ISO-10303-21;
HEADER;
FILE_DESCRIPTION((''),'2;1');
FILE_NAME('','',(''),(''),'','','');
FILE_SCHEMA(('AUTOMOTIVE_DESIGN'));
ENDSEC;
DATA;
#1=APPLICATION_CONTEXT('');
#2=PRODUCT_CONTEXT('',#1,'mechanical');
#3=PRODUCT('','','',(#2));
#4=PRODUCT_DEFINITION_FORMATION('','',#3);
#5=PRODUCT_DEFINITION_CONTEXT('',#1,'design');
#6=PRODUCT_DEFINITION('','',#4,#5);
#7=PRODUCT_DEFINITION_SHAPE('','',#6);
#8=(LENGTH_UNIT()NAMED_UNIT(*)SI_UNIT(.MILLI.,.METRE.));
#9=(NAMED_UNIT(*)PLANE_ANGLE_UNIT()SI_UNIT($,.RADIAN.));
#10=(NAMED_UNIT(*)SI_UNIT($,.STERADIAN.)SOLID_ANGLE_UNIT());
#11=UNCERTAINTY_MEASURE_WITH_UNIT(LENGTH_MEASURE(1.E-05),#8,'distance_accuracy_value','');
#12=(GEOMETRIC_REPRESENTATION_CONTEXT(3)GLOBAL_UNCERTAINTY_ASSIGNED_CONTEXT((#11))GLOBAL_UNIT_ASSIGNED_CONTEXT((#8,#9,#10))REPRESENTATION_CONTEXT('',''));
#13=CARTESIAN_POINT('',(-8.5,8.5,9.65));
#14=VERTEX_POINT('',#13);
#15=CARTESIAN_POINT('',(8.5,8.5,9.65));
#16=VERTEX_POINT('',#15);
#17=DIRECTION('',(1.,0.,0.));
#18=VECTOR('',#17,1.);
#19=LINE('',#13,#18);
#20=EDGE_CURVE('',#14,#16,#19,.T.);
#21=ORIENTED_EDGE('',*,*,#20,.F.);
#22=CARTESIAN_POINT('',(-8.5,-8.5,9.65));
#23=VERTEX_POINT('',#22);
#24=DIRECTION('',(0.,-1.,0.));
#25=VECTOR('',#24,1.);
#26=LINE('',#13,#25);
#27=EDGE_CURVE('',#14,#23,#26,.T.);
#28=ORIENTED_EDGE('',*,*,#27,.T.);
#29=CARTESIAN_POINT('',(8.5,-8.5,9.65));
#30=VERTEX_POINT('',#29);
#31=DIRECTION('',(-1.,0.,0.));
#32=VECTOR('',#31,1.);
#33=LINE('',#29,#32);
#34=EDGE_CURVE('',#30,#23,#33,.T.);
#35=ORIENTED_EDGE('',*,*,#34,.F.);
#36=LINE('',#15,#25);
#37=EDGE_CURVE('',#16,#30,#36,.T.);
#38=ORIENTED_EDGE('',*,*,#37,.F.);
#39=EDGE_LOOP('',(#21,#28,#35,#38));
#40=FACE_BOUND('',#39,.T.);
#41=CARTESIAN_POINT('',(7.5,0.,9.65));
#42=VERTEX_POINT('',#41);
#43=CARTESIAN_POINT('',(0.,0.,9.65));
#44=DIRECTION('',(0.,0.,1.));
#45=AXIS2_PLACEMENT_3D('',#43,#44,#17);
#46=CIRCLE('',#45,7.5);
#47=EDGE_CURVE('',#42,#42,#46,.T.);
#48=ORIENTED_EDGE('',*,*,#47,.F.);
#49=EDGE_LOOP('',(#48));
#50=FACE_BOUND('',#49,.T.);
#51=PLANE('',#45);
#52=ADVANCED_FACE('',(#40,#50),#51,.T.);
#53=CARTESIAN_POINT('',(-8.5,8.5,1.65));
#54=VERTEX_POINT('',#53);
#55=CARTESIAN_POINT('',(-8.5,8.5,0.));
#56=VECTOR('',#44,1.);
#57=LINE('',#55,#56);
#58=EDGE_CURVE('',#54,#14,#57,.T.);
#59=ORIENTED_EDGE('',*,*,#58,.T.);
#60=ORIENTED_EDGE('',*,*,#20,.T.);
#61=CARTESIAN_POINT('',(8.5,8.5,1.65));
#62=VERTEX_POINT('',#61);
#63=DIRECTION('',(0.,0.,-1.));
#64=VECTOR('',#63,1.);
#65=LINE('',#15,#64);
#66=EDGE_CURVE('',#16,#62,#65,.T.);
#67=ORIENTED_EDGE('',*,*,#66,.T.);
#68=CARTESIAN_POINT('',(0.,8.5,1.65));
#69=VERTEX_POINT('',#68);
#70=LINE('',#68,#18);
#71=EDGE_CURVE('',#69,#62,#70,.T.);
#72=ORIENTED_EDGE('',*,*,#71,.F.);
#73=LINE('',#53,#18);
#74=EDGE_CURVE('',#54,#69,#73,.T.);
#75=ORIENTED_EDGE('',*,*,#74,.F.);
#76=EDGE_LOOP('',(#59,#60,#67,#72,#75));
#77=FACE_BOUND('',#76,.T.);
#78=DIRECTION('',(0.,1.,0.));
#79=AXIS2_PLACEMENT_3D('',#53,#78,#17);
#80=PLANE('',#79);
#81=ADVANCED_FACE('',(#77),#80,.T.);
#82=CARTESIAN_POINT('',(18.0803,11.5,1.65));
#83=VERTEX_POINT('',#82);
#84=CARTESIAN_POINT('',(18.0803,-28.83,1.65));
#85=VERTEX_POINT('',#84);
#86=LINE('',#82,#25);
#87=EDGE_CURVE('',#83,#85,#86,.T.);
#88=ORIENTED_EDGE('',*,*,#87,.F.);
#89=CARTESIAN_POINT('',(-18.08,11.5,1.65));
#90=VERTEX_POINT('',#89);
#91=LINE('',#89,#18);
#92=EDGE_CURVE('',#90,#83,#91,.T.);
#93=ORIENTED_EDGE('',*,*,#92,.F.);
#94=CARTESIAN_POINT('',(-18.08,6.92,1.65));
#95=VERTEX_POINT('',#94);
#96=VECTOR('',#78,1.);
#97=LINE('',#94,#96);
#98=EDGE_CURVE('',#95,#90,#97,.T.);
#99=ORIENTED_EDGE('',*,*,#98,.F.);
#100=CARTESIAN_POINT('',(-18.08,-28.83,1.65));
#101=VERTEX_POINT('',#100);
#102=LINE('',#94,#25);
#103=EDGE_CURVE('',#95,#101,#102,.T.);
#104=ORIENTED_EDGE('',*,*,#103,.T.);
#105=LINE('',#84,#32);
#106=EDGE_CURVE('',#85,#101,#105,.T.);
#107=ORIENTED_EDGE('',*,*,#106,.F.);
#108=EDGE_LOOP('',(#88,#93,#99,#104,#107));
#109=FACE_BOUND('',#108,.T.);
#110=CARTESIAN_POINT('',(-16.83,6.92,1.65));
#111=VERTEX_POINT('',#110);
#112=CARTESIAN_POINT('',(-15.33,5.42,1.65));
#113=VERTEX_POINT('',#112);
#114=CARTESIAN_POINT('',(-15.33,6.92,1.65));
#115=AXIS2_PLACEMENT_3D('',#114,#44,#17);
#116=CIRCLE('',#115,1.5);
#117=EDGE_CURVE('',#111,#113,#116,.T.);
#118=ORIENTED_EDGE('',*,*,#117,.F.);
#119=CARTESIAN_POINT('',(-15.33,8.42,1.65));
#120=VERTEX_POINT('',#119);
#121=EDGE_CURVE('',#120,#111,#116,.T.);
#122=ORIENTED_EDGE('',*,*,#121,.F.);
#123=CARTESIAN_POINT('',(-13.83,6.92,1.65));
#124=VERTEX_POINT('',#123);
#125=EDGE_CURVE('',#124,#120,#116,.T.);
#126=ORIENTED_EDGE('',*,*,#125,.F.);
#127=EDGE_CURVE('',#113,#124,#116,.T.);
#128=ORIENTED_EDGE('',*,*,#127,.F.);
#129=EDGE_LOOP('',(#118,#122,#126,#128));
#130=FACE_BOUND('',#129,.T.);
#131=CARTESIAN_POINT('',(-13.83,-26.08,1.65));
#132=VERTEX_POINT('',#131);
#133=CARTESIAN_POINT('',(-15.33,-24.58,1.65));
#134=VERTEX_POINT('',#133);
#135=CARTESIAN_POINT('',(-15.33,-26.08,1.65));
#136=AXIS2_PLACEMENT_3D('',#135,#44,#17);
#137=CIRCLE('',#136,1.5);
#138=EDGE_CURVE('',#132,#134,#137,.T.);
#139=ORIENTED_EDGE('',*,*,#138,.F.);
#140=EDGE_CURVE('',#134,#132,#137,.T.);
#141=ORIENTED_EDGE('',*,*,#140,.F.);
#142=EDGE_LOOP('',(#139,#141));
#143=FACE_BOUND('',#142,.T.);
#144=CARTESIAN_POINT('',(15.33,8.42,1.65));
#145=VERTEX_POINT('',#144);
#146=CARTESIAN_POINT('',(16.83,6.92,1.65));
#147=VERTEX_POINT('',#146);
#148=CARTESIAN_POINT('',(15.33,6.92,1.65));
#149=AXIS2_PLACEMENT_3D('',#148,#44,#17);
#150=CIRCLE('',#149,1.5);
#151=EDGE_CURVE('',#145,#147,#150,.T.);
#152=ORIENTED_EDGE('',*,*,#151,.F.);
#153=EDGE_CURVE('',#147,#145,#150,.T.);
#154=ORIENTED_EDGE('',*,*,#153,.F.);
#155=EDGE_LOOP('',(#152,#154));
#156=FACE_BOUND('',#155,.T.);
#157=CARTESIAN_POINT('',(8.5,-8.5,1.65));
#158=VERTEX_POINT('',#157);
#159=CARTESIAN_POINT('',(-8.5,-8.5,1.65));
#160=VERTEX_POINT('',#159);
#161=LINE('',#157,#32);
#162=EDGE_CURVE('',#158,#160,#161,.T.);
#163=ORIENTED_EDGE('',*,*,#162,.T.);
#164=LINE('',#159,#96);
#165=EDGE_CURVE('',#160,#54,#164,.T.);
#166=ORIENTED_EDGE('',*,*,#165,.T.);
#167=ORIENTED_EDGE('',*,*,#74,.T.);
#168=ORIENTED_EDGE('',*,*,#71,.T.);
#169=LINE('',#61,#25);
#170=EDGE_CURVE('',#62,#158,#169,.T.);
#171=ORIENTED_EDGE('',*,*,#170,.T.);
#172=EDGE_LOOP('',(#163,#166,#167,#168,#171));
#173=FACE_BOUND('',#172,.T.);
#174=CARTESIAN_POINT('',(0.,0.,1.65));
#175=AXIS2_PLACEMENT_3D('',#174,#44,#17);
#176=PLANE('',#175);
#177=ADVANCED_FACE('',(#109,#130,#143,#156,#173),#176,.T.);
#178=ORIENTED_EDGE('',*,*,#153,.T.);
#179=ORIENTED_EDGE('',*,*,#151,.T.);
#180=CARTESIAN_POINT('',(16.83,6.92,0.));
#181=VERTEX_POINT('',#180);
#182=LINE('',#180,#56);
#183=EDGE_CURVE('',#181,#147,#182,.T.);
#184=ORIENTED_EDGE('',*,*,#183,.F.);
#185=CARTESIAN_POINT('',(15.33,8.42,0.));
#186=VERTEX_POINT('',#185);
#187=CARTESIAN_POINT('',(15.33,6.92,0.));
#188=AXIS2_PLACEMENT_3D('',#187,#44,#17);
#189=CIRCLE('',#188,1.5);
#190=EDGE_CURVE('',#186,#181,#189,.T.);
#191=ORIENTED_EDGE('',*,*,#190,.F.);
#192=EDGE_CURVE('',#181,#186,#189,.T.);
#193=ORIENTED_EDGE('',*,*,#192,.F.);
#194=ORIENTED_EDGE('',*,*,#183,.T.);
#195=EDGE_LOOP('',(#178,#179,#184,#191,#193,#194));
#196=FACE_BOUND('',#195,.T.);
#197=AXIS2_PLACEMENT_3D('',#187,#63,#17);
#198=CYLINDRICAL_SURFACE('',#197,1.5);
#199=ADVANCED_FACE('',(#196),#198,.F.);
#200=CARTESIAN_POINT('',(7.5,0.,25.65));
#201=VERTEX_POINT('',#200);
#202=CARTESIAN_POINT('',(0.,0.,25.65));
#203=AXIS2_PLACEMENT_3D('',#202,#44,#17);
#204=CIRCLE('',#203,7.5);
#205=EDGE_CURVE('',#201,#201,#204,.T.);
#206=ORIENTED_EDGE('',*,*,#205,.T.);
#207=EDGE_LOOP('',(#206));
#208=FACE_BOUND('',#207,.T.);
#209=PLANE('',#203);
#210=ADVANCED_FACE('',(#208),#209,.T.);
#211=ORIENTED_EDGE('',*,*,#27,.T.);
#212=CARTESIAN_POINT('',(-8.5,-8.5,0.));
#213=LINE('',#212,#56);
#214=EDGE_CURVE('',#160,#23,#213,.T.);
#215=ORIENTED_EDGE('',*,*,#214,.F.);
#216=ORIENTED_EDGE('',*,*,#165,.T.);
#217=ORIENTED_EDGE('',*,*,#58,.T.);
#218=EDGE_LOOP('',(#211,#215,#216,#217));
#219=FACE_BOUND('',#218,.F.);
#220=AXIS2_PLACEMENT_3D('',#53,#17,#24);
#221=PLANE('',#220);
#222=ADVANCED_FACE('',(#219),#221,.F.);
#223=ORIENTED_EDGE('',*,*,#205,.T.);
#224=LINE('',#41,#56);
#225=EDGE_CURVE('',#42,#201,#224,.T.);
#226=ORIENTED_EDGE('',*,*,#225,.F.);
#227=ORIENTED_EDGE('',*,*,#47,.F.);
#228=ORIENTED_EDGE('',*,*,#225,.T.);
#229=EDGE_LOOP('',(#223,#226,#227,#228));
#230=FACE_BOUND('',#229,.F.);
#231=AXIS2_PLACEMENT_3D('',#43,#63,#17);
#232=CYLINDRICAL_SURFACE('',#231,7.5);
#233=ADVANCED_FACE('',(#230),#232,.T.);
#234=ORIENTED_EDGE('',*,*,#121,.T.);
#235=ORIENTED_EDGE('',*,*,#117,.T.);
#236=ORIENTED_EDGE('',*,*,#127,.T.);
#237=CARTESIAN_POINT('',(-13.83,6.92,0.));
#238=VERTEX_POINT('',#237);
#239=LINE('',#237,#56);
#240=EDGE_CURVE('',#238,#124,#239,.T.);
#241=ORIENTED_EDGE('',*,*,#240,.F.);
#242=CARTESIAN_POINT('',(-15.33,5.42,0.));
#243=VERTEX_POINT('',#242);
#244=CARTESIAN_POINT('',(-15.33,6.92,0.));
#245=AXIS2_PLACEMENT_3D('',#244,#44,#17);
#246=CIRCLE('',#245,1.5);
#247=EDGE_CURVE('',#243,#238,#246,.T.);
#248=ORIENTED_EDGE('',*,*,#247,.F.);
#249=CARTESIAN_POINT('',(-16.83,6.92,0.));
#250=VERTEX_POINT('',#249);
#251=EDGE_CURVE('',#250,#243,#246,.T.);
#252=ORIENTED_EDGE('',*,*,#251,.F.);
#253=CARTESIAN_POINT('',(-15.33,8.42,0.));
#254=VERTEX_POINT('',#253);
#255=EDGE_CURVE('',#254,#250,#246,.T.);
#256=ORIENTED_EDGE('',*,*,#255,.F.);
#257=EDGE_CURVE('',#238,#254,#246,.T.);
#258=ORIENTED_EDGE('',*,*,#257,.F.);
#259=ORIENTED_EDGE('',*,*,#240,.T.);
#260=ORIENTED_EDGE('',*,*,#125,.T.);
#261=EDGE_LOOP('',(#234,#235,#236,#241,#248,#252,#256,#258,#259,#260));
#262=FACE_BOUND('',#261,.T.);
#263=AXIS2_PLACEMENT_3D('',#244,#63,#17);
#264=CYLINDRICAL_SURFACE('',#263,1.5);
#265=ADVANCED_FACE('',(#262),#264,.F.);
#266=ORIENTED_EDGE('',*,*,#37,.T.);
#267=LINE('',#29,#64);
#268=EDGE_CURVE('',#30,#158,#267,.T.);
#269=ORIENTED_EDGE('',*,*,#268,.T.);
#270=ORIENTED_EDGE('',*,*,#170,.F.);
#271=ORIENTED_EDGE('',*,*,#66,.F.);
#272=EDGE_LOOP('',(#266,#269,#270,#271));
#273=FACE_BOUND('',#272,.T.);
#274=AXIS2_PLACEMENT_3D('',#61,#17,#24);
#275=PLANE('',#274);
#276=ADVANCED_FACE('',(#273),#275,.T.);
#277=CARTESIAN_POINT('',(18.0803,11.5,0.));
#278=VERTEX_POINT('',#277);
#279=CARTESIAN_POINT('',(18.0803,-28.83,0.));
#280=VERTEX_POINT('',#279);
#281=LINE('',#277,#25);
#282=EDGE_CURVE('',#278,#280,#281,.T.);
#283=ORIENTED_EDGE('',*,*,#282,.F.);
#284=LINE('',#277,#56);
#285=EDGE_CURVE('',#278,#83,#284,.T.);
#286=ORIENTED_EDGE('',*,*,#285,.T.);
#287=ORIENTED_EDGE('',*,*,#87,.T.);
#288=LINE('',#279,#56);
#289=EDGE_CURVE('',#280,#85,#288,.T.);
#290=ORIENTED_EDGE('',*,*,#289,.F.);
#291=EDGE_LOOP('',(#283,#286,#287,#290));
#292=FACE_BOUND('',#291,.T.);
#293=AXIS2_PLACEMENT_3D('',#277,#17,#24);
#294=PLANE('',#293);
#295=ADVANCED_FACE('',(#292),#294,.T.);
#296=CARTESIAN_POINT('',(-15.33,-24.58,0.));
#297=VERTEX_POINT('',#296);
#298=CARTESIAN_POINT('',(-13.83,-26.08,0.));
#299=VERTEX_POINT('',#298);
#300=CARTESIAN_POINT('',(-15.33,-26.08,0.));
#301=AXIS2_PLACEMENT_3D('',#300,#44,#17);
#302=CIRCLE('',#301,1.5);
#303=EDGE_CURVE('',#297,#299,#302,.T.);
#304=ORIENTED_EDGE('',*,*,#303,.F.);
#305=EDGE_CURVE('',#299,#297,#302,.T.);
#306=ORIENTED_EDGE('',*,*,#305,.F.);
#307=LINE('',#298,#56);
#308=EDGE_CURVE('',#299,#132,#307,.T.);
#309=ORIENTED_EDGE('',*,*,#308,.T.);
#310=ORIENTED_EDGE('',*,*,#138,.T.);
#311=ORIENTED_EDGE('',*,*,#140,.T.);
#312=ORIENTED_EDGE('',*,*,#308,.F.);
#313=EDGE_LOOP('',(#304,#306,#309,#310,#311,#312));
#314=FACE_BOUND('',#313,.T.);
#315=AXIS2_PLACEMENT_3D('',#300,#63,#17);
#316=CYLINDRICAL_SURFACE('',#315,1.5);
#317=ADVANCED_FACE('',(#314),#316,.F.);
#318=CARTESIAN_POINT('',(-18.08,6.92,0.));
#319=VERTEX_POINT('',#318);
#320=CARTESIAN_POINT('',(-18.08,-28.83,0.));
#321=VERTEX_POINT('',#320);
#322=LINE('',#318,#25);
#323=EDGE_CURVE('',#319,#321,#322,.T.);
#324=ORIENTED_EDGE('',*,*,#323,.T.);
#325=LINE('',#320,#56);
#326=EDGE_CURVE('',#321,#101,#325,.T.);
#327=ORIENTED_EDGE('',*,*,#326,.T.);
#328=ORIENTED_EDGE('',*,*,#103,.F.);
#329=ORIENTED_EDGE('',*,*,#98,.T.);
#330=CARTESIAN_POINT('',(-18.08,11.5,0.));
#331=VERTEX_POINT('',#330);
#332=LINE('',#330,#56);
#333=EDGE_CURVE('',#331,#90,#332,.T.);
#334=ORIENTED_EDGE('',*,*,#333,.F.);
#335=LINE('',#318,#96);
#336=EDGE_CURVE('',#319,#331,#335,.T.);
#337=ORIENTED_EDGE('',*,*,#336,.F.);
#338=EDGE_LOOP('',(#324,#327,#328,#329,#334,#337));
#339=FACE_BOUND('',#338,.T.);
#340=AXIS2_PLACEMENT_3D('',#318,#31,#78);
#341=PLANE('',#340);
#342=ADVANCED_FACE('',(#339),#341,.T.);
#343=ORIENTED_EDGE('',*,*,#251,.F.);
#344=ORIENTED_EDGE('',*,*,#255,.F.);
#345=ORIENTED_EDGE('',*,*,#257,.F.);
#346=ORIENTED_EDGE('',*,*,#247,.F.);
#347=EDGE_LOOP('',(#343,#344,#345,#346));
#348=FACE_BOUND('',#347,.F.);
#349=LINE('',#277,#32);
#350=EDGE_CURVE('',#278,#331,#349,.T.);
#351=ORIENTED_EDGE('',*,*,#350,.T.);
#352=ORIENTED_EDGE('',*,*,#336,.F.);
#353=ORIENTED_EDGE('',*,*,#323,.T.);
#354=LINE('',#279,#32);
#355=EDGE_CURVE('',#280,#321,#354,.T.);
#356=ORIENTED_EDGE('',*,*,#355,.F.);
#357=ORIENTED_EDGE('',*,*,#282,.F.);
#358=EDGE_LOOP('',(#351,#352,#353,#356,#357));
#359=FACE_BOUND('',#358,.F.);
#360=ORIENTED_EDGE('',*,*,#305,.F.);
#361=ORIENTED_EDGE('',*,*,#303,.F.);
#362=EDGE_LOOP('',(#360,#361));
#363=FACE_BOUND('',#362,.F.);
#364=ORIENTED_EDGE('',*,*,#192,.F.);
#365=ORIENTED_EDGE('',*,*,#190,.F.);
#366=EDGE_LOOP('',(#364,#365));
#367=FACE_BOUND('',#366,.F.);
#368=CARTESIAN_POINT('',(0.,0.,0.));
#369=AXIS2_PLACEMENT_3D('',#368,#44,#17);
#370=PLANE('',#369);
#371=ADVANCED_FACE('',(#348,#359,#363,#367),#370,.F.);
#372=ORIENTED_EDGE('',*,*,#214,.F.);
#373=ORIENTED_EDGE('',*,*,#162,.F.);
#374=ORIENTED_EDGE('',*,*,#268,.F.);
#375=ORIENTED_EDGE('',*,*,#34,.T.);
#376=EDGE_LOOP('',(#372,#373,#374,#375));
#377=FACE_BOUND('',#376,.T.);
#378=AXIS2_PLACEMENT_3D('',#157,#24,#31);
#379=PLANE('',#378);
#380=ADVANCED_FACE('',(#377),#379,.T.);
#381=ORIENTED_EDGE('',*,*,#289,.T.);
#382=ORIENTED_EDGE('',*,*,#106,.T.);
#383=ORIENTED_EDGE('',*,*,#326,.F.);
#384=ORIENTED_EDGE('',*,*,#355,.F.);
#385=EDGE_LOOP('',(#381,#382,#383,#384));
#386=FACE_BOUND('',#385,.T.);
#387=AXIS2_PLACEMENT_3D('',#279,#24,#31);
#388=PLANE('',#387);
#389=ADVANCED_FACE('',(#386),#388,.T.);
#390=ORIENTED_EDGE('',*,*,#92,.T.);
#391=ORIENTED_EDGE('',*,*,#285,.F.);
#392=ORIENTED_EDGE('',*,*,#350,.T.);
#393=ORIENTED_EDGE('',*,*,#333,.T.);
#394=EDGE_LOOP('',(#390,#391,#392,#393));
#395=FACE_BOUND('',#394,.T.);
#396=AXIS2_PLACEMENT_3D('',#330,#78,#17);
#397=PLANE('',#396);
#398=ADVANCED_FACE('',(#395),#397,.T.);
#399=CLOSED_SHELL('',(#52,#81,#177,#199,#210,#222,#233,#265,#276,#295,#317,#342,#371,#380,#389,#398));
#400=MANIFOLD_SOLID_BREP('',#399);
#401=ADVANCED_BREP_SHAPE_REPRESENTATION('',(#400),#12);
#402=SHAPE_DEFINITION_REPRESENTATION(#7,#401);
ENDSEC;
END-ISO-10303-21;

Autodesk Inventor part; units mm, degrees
ref_plane "YZ Plane" through (0, 0, 0) normal (1, 0, 0) x (0, 1, 0)
ref_plane "XZ Plane" through (0, 0, 0) normal (0, 1, 0) x (-1, 0, 0)
ref_plane "XY Plane" through (0, 0, 0) normal (0, 0, 1) x (1, 0, 0)
sketch "Sketch1" plane through (0, 0, 0) normal (0, 0, 1) x (1, 0, 0)
  line L0 (0, 0) -> (0, 8.5)
  line L1 (0, 8.5) -> (8.5, 8.5)
  line L2 (8.5, 8.5) -> (8.5, -8.5)
  line L3 (8.5, -8.5) -> (-8.5, -8.5)
  line L4 (-8.5, -8.5) -> (-8.5, 8.5)
  line L5 (-8.5, 8.5) -> (0, 8.5)
  line L6 (0, 8.5) -> (0, 10.25)
  line L7 (0, 10.25) -> (-15.33, 10.25)
  line L8 (-15.33, 10.25) -> (-15.33, 6.92)
  circle A0 centre (-15.33, 6.92) radius 1.5
  line L9 (0, 10.25) -> (15.33, 10.25)
  line L10 (15.33, 10.25) -> (15.33, 6.92)
  circle A1 centre (15.33, 6.92) radius 1.5
  line L11 (-15.33, 6.92) -> (-15.33, -26.08)
  circle A2 centre (-15.33, -26.08) radius 1.5
  line L12 (0, 0) -> (0, 6.92)
  line L13 (-16.83, 6.92) -> (-18.08, 6.92)
  line L14 (-18.08, 6.92) -> (-18.08, -28.83)
  line L15 (-18.08, 6.92) -> (-18.08, 11.5)
  line L16 (-18.08, 11.5) -> (-3.5327, 11.5)
  line L17 (-3.5327, 11.5) -> (18.0803, 11.5)
  line L18 (18.0803, 11.5) -> (18.0803, -28.83)
  line L19 (18.0803, -28.83) -> (-18.08, -28.83)
  dimension "d8" = 3
  dimension "d0" = 8.5
  dimension "d1" = 8.5
  dimension "d2" = 17
  dimension "d3" = 17
  dimension "d4" = 17
  dimension "d5" = 1.75
  dimension "d6" = 15.33
  dimension "d7" = 3.33
  dimension "d9" = 15.33
  dimension "d10" = 3.33
  dimension "d11" = 3
  dimension "d12" = 33
  dimension "d13" = 3
  dimension "d14" = 1.25
  dimension "d15" = 35.75
  dimension "d16" = 4.58
  dimension "d17" = 21.613
extrude "Extrusion1" add sketch "Sketch1" along normal blind 1.65
sketch "Sketch2" plane through (0, 0, 1.65) normal (0, 0, 1) x (1, 0, 0)
  line L0 (-8.5, 8.5) -> (-8.5, -8.5) projected
  line L1 (8.5, 8.5) -> (8.5, -8.5) projected
  line L2 (-8.5, 8.5) -> (8.5, 8.5)
  line L3 (8.5, 8.5) -> (8.5, -8.5)
  line L4 (8.5, -8.5) -> (-8.5, -8.5)
  line L5 (-8.5, -8.5) -> (-8.5, 8.5)
  point P0 (0, 0)
extrude "Extrusion2" add sketch "Sketch2" along normal blind 8 and the other way blind 1.65
sketch "Sketch3" plane through (0, 0, 9.65) normal (0, 0, 1) x (1, 0, 0)
  circle A0 centre (0, 0) radius 7.5
  dimension "d24" = 15
extrude "Extrusion3" add sketch "Sketch3" along normal blind 16
properties part number "Pixy Sketch"
